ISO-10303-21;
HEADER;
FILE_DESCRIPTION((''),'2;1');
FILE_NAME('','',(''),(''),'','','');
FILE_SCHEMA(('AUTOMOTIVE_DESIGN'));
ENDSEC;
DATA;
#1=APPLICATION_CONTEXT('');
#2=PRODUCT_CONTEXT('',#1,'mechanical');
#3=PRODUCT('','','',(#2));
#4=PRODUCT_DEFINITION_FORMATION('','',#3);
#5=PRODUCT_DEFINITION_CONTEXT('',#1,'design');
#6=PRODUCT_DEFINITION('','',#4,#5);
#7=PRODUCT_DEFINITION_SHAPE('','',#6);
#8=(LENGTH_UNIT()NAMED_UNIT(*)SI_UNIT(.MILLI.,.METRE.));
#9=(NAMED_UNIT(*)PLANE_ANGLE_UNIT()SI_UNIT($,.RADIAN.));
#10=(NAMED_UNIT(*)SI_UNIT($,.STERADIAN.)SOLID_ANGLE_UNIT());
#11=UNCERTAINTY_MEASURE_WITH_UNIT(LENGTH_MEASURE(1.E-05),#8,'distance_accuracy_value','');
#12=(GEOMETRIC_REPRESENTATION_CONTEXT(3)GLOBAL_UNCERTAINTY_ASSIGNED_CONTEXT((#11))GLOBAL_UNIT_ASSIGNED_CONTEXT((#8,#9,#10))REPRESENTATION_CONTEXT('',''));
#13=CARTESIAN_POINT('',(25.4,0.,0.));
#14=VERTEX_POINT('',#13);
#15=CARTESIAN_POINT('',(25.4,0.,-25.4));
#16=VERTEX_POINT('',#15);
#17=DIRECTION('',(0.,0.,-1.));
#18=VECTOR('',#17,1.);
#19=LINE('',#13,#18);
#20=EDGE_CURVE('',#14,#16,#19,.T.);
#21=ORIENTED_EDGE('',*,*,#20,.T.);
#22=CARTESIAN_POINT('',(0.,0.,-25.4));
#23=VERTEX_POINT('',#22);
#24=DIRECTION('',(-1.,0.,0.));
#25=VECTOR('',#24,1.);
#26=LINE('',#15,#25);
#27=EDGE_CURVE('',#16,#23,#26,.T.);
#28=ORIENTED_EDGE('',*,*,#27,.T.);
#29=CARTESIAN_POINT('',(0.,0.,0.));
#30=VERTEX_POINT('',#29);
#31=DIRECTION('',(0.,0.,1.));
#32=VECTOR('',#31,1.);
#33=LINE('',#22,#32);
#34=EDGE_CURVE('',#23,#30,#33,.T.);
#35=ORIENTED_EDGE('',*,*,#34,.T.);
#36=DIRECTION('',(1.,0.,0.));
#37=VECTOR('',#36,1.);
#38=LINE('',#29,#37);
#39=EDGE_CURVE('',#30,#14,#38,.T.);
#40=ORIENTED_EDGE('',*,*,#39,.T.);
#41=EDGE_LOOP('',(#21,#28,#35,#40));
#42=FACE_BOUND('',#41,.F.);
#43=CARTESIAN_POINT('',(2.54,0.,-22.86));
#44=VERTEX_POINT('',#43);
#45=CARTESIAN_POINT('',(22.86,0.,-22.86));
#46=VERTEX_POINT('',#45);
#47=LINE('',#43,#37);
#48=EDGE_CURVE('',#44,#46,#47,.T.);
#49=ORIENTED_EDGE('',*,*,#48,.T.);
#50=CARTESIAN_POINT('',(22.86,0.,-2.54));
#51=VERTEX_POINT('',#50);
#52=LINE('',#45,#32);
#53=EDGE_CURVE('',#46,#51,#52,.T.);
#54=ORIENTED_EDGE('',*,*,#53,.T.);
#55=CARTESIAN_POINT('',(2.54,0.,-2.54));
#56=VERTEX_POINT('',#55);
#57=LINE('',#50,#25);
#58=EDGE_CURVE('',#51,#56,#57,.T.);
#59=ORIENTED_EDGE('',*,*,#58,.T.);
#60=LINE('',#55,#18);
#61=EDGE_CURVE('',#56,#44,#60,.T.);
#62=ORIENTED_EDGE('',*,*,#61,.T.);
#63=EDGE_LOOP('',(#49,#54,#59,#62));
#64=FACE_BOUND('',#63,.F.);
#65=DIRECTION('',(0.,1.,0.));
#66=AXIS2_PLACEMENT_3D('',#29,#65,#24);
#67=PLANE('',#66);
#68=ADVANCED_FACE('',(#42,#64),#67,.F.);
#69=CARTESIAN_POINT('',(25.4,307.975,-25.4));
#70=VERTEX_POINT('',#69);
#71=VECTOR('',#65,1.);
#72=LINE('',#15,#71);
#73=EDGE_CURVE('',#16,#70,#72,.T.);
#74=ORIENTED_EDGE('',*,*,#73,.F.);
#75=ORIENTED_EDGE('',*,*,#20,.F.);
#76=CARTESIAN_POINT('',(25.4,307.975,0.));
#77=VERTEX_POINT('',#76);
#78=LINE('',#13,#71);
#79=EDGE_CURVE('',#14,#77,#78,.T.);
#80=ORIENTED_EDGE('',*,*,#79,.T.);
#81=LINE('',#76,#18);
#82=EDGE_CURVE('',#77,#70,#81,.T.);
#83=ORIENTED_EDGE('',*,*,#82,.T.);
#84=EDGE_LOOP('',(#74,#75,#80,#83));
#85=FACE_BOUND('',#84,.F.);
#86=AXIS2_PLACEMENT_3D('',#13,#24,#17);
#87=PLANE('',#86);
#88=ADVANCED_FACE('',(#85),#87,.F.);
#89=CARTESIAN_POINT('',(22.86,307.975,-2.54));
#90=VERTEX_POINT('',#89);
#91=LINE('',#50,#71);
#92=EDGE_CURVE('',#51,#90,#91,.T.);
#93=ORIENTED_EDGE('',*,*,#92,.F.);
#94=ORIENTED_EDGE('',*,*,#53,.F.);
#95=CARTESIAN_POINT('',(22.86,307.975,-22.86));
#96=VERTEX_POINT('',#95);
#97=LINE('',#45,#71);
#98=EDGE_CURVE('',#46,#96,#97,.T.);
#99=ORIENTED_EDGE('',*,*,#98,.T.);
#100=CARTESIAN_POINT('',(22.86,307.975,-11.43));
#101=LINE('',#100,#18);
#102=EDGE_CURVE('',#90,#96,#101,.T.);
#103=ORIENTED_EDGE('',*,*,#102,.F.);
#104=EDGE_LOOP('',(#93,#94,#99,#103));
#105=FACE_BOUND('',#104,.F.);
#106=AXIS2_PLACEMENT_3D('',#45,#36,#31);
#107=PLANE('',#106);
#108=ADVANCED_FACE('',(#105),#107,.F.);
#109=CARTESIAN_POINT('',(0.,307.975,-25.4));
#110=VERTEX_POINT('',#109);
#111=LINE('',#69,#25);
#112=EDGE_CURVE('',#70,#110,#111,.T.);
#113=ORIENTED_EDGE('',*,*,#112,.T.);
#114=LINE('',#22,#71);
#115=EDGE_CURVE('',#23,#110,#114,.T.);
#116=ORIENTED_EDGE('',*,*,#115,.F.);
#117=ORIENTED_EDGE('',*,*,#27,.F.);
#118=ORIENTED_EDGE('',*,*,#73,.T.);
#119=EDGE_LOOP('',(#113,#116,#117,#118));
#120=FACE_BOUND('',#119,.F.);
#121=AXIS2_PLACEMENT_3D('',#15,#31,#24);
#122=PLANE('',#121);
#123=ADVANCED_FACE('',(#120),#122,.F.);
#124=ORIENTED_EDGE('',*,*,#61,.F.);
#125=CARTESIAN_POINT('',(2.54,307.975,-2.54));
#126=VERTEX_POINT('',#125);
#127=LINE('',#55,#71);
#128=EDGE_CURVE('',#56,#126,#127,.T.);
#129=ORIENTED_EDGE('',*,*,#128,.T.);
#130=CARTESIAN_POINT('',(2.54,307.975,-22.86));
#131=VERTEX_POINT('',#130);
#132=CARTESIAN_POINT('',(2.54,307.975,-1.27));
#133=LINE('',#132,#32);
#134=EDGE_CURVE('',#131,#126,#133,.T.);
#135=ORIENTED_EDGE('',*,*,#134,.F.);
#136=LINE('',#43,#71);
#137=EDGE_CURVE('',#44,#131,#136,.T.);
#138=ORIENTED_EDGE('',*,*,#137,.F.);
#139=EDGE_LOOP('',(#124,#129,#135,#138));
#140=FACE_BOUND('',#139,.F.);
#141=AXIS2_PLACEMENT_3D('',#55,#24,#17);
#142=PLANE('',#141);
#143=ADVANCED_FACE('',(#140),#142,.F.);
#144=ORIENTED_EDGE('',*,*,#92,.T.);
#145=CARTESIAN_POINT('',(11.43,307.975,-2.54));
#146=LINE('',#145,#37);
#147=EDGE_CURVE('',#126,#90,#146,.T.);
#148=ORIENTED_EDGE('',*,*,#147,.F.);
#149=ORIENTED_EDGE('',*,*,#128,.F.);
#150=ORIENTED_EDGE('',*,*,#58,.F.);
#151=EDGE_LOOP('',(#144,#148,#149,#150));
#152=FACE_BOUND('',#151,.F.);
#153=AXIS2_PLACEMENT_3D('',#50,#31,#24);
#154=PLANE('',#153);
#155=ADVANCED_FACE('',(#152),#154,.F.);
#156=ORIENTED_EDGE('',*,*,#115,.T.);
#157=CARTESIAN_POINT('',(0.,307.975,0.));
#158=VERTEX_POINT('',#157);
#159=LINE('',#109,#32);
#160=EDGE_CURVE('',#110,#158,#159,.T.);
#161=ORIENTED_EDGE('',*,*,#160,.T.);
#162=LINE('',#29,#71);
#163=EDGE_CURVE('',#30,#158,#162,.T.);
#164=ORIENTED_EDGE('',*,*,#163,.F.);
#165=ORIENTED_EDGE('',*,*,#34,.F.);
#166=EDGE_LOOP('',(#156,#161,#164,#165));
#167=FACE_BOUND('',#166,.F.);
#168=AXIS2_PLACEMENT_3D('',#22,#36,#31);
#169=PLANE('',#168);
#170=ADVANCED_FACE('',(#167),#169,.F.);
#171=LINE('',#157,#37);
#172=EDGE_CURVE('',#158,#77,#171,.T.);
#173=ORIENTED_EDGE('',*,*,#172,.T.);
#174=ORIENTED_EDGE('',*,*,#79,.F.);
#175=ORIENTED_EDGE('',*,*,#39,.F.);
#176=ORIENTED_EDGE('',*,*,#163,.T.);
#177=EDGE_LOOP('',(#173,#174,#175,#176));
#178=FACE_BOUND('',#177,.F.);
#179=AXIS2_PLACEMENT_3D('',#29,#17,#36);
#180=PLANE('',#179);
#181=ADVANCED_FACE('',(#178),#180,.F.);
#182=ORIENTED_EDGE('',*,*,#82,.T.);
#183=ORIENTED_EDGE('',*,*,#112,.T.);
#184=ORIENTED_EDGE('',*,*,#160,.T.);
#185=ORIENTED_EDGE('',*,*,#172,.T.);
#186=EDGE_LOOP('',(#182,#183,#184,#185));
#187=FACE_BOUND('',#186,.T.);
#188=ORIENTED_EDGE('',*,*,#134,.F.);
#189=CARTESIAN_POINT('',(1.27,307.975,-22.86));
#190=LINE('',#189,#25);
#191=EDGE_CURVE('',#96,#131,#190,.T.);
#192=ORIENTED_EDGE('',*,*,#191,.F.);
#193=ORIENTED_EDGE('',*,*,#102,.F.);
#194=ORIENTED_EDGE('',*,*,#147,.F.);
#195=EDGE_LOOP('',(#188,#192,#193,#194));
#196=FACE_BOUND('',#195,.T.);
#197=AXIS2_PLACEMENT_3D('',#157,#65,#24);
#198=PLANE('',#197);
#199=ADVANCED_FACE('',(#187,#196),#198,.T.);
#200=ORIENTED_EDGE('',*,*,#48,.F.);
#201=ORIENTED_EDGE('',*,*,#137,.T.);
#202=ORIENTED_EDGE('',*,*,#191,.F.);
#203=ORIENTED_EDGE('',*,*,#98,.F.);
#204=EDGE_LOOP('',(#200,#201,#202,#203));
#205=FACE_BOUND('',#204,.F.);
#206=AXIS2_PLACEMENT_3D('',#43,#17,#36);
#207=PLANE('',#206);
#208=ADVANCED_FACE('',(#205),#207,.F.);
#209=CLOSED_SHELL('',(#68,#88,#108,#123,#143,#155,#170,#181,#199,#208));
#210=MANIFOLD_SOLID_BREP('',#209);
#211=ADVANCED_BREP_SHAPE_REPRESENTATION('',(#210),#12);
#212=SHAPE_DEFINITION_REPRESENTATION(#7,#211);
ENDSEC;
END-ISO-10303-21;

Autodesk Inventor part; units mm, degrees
ref_plane "YZ Plane" through (0, 0, 0) normal (1, 0, 0) x (0, 1, 0)
ref_plane "XZ Plane" through (0, 0, 0) normal (0, 1, 0) x (-1, 0, 0)
ref_plane "XY Plane" through (0, 0, 0) normal (0, 0, 1) x (1, 0, 0)
sketch "Sketch1" plane through (0, 0, 0) normal (0, 1, 0) x (-1, 0, 0)
  line L0 (0, 0) -> (-25.4, 0)
  line L1 (-25.4, 0) -> (-25.4, -25.4)
  line L2 (-25.4, -25.4) -> (0, -25.4)
  line L3 (0, -25.4) -> (0, 0)
  dimension "d0" = 25.4
  dimension "d1" = 25.4
extrude "Extrusion1" add sketch "Sketch1" along normal blind 307.975
sketch "Sketch4" plane through (0, 0, 0) normal (0, -1, 0) x (1, 0, 0)
  line L0 (22.86, -2.54) -> (2.54, -2.54)
  line L1 (2.54, -2.54) -> (2.54, -22.86)
  line L2 (2.54, -22.86) -> (22.86, -22.86)
  line L3 (22.86, -22.86) -> (22.86, -2.54)
  line L4 (25.4, 0) -> (25.4, -25.4) projected
  line L5 (25.4, -25.4) -> (0, -25.4) projected
  point P0 (0, 0)
  dimension "d13" = 20.32
  dimension "d14" = 20.32
  dimension "d15" = 2.54
  dimension "d16" = 2.54
extrude "Extrusion4" cut sketch "Sketch4" against normal blind 448.31
sketch "Sketch15" plane through (0, 0, -25.4) normal (-1, 0, 0) x (0, 0, 1)
  point P0 (25.4, 0)
properties part number "Control Panel Mount"
